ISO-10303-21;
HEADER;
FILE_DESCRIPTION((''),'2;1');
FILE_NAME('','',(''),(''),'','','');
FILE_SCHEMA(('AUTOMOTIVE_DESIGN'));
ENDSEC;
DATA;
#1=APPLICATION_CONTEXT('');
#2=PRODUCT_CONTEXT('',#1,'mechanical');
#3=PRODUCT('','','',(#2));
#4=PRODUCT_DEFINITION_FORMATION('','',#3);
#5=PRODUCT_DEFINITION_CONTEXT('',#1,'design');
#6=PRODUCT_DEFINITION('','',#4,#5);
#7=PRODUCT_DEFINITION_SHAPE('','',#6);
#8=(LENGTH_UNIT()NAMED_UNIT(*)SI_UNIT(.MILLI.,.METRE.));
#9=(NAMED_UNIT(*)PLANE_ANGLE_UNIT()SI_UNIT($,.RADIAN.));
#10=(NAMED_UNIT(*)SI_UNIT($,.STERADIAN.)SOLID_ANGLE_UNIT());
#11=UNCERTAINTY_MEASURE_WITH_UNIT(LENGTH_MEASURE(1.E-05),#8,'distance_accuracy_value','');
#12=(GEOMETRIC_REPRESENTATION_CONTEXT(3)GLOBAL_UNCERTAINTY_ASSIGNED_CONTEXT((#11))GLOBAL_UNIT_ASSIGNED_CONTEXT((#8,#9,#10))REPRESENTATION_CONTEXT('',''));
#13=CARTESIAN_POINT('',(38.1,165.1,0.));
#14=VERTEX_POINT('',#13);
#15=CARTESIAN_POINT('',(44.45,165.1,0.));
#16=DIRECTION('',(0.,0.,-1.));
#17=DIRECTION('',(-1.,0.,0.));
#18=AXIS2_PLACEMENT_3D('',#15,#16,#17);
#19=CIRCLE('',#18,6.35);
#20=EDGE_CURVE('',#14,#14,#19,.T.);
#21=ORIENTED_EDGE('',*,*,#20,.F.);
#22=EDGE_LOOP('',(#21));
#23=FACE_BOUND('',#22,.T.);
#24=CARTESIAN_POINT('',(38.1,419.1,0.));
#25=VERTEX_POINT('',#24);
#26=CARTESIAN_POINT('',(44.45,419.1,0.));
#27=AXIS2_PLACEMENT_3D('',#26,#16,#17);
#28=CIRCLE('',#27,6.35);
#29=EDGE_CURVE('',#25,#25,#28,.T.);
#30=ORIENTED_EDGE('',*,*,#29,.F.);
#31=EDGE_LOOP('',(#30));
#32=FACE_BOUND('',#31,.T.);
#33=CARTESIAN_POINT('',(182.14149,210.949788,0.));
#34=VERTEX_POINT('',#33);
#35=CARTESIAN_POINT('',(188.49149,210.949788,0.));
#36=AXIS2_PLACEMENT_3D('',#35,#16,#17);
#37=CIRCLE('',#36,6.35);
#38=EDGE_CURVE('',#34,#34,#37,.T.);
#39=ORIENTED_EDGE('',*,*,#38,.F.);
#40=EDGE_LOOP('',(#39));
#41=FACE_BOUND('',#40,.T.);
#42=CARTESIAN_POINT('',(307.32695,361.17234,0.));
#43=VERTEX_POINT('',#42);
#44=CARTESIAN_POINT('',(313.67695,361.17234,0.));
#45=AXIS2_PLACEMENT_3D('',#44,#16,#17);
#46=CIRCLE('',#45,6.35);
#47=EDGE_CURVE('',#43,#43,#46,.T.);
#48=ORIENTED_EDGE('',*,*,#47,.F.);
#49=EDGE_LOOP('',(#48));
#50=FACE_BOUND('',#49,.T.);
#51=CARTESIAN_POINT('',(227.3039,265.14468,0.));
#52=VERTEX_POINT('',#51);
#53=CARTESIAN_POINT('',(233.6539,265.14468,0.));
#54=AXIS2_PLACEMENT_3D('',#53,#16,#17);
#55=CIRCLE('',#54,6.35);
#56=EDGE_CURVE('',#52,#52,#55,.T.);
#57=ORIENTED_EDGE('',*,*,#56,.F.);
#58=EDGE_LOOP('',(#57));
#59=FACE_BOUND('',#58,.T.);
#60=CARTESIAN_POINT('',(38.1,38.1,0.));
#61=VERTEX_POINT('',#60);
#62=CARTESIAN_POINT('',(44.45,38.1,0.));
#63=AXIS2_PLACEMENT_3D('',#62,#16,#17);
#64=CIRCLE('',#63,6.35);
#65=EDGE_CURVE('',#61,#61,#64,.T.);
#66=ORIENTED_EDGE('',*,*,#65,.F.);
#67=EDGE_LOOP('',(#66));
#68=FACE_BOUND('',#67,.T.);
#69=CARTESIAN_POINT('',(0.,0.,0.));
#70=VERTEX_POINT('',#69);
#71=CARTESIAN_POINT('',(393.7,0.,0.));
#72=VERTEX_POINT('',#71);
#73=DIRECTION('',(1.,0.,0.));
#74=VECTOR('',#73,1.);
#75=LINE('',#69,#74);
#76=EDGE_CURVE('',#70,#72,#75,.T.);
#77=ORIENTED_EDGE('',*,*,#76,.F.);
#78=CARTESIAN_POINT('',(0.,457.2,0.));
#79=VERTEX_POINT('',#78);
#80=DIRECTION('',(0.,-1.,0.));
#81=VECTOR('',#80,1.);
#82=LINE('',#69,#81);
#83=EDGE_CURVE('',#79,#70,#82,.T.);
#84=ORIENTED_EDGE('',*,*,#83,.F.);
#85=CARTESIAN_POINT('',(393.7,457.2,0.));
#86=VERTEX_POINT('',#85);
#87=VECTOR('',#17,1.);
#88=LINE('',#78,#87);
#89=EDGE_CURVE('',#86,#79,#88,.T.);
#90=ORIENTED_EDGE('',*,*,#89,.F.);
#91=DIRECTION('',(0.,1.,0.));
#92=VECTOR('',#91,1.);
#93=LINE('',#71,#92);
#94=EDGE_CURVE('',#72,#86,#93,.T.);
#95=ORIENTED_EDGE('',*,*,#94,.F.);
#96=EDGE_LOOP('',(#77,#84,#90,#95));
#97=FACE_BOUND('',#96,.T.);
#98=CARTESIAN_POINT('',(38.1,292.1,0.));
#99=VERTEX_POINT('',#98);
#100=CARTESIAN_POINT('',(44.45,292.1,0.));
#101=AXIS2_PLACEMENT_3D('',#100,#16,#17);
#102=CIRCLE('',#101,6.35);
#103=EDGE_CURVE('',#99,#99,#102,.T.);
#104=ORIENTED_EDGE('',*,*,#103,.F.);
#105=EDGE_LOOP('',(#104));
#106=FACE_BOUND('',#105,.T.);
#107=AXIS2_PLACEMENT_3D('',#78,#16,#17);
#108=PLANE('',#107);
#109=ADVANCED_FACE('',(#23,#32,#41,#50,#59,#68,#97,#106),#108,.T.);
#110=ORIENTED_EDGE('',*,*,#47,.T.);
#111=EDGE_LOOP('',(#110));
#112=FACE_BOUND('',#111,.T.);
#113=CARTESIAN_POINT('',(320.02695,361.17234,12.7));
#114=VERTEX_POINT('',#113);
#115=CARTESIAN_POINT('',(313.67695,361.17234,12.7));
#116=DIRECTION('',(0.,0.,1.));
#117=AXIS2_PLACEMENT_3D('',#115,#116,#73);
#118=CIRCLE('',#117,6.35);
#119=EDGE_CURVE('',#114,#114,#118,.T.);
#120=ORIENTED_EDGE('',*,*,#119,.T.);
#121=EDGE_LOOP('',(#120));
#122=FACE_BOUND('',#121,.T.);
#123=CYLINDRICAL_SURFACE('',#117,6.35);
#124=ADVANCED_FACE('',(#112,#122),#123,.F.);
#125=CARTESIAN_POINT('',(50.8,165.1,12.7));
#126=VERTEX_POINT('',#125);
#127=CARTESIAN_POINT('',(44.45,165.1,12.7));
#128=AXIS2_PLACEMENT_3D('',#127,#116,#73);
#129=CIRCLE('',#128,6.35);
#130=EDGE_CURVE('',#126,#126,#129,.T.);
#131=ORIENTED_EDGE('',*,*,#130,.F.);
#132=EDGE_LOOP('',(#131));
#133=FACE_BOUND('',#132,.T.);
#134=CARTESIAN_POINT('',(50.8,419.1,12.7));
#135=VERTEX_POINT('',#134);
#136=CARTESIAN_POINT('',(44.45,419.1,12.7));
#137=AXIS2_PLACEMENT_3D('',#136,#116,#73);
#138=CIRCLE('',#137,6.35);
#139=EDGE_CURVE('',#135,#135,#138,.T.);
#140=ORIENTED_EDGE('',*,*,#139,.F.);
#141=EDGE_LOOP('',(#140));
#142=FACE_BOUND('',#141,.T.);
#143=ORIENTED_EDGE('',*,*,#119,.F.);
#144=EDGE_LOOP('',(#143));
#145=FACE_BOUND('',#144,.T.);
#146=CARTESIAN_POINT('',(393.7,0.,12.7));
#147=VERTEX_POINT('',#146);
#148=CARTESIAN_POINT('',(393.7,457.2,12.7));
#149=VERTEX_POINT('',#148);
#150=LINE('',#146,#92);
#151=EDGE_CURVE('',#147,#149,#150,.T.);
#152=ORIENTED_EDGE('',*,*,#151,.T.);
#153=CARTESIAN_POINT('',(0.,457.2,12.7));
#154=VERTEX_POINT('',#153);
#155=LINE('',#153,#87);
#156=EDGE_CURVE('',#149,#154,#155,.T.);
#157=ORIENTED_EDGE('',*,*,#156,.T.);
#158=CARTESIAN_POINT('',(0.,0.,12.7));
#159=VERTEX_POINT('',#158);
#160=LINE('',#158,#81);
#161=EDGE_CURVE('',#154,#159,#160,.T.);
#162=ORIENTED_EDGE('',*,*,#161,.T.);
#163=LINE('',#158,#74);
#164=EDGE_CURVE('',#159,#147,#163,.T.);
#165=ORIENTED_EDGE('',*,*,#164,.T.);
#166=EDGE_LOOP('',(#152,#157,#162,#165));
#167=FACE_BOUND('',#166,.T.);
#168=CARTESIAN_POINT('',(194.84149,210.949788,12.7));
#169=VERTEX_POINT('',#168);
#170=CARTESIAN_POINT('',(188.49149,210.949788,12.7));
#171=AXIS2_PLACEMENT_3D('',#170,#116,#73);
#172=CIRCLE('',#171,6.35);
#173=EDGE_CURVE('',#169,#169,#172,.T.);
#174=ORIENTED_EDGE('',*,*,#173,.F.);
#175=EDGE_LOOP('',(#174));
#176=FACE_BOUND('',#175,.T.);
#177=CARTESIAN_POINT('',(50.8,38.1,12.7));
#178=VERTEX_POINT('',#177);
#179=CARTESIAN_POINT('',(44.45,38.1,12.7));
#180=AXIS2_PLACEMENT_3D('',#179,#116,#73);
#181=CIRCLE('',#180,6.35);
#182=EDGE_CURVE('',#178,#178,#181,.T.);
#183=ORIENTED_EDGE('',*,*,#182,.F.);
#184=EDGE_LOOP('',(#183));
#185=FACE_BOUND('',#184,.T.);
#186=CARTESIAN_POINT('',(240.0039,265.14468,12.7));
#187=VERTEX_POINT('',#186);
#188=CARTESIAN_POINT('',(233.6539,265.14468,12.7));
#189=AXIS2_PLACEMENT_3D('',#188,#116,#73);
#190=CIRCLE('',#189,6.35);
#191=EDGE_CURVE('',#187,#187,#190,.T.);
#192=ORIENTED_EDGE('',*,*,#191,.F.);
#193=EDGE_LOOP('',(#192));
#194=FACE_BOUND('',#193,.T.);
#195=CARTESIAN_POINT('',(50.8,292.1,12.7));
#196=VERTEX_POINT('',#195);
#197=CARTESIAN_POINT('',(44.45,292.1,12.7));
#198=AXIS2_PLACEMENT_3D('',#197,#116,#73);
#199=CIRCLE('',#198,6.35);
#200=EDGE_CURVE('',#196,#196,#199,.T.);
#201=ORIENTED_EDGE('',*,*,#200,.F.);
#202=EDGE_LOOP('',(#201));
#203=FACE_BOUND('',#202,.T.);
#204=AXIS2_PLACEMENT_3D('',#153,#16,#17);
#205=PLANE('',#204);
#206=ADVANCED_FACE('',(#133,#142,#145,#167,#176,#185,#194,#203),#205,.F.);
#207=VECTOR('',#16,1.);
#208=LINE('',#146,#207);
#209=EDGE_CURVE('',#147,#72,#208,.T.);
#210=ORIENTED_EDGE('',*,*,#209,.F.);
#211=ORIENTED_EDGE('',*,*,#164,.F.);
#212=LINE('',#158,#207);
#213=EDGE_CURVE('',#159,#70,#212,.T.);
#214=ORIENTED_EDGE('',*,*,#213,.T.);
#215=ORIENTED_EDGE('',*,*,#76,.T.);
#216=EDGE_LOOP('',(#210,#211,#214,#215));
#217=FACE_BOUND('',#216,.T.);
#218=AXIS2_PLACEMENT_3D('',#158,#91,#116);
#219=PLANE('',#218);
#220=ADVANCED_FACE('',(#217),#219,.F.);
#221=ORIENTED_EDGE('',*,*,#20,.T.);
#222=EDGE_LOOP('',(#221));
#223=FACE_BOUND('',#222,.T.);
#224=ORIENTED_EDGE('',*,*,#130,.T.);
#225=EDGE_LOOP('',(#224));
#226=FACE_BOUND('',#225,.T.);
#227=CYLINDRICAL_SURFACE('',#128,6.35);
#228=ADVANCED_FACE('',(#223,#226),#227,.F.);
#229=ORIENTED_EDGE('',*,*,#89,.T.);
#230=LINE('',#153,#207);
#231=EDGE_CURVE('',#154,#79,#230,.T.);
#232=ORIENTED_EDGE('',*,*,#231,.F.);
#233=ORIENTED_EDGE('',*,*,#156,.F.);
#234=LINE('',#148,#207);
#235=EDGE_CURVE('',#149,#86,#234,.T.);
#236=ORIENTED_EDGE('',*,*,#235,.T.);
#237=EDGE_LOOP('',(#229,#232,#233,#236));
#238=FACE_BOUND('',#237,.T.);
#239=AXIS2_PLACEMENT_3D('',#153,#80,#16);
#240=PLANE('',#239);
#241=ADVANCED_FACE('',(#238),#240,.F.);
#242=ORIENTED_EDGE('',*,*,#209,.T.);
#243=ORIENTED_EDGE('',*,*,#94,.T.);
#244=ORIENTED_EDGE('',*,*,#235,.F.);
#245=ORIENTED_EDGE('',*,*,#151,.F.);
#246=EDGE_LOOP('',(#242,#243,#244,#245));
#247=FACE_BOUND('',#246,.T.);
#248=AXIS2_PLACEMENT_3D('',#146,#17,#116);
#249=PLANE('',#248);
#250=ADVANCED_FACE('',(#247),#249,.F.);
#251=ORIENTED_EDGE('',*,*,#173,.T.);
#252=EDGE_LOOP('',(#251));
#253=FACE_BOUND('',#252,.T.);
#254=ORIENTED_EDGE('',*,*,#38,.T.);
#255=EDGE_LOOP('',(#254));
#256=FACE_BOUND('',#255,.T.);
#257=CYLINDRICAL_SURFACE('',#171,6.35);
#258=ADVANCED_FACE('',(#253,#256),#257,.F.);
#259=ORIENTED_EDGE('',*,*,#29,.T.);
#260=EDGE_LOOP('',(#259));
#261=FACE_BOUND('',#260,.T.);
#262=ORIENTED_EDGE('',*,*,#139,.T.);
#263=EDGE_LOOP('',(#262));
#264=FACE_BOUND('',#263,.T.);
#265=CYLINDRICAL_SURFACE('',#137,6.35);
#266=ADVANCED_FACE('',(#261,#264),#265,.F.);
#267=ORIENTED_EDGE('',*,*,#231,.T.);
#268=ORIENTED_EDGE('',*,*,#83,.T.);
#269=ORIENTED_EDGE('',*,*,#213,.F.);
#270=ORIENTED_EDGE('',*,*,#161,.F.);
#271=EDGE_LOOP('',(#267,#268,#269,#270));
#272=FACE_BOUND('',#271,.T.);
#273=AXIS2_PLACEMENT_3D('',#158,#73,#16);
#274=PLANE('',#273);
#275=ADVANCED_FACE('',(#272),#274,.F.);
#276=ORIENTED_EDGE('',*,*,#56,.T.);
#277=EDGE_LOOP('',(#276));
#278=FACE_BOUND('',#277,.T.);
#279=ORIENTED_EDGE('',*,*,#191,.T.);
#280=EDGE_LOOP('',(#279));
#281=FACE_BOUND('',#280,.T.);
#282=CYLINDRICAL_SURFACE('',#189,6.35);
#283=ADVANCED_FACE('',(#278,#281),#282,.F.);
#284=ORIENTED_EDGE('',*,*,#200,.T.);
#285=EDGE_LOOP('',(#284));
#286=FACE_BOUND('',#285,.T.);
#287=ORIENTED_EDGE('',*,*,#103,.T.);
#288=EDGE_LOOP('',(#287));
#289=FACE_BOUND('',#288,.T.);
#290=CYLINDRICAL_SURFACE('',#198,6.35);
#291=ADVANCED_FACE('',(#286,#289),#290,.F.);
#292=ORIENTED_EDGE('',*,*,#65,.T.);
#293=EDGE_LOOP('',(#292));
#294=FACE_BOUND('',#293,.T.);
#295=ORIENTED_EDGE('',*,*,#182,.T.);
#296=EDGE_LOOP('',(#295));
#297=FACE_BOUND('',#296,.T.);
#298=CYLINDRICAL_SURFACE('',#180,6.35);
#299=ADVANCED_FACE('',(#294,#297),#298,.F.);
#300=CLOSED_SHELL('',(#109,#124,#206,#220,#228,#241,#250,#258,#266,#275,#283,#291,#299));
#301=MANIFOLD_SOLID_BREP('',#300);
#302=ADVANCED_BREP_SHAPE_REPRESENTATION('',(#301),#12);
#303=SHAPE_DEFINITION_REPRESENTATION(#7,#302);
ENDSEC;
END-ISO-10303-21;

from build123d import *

# Parameters (mm, degrees)
SKETCH1_W             = 393.7
SKETCH1_H             = 457.2
PLATE_DEPTH           = 12.7
STANDARD_LINEAR_COUNT = 4
STANDARD_LINEAR_PITCH = 127


with BuildPart() as part:
    # Sketch1 → Plate (new body)
    with BuildSketch(Plane.XY):
        with Locations((196.85, 228.6)):
            Rectangle(SKETCH1_W, SKETCH1_H)
    extrude(amount=PLATE_DEPTH)

    # Sketch3 → Hole (revolve, cut)
    with BuildSketch(Plane(origin=(44.45, 38.1, 12.7), x_dir=(0, -1, 0), z_dir=(1, 0, 0))):
        Polygon((0, 0), (0, 29.215464931), (6.35, 25.4), (6.35, 0), align=None)
    hole = revolve(axis=Axis((44.45, 38.1, 19.05), (0, 0, -1)), mode=Mode.SUBTRACT)

    # Standard Linear: Hole ×4
    with Locations(*[(0, i * STANDARD_LINEAR_PITCH, 0) for i in range(1, STANDARD_LINEAR_COUNT)]):
        add(hole, mode=Mode.SUBTRACT)

    # Sketch-Pattern1: Hole at 3 more places
    with Locations((189.2039, 227.04468, 0), (269.22695, 323.07234, 0), (144.04149, 172.849788, 0)):
        add(hole, mode=Mode.SUBTRACT)


solid = part.part
